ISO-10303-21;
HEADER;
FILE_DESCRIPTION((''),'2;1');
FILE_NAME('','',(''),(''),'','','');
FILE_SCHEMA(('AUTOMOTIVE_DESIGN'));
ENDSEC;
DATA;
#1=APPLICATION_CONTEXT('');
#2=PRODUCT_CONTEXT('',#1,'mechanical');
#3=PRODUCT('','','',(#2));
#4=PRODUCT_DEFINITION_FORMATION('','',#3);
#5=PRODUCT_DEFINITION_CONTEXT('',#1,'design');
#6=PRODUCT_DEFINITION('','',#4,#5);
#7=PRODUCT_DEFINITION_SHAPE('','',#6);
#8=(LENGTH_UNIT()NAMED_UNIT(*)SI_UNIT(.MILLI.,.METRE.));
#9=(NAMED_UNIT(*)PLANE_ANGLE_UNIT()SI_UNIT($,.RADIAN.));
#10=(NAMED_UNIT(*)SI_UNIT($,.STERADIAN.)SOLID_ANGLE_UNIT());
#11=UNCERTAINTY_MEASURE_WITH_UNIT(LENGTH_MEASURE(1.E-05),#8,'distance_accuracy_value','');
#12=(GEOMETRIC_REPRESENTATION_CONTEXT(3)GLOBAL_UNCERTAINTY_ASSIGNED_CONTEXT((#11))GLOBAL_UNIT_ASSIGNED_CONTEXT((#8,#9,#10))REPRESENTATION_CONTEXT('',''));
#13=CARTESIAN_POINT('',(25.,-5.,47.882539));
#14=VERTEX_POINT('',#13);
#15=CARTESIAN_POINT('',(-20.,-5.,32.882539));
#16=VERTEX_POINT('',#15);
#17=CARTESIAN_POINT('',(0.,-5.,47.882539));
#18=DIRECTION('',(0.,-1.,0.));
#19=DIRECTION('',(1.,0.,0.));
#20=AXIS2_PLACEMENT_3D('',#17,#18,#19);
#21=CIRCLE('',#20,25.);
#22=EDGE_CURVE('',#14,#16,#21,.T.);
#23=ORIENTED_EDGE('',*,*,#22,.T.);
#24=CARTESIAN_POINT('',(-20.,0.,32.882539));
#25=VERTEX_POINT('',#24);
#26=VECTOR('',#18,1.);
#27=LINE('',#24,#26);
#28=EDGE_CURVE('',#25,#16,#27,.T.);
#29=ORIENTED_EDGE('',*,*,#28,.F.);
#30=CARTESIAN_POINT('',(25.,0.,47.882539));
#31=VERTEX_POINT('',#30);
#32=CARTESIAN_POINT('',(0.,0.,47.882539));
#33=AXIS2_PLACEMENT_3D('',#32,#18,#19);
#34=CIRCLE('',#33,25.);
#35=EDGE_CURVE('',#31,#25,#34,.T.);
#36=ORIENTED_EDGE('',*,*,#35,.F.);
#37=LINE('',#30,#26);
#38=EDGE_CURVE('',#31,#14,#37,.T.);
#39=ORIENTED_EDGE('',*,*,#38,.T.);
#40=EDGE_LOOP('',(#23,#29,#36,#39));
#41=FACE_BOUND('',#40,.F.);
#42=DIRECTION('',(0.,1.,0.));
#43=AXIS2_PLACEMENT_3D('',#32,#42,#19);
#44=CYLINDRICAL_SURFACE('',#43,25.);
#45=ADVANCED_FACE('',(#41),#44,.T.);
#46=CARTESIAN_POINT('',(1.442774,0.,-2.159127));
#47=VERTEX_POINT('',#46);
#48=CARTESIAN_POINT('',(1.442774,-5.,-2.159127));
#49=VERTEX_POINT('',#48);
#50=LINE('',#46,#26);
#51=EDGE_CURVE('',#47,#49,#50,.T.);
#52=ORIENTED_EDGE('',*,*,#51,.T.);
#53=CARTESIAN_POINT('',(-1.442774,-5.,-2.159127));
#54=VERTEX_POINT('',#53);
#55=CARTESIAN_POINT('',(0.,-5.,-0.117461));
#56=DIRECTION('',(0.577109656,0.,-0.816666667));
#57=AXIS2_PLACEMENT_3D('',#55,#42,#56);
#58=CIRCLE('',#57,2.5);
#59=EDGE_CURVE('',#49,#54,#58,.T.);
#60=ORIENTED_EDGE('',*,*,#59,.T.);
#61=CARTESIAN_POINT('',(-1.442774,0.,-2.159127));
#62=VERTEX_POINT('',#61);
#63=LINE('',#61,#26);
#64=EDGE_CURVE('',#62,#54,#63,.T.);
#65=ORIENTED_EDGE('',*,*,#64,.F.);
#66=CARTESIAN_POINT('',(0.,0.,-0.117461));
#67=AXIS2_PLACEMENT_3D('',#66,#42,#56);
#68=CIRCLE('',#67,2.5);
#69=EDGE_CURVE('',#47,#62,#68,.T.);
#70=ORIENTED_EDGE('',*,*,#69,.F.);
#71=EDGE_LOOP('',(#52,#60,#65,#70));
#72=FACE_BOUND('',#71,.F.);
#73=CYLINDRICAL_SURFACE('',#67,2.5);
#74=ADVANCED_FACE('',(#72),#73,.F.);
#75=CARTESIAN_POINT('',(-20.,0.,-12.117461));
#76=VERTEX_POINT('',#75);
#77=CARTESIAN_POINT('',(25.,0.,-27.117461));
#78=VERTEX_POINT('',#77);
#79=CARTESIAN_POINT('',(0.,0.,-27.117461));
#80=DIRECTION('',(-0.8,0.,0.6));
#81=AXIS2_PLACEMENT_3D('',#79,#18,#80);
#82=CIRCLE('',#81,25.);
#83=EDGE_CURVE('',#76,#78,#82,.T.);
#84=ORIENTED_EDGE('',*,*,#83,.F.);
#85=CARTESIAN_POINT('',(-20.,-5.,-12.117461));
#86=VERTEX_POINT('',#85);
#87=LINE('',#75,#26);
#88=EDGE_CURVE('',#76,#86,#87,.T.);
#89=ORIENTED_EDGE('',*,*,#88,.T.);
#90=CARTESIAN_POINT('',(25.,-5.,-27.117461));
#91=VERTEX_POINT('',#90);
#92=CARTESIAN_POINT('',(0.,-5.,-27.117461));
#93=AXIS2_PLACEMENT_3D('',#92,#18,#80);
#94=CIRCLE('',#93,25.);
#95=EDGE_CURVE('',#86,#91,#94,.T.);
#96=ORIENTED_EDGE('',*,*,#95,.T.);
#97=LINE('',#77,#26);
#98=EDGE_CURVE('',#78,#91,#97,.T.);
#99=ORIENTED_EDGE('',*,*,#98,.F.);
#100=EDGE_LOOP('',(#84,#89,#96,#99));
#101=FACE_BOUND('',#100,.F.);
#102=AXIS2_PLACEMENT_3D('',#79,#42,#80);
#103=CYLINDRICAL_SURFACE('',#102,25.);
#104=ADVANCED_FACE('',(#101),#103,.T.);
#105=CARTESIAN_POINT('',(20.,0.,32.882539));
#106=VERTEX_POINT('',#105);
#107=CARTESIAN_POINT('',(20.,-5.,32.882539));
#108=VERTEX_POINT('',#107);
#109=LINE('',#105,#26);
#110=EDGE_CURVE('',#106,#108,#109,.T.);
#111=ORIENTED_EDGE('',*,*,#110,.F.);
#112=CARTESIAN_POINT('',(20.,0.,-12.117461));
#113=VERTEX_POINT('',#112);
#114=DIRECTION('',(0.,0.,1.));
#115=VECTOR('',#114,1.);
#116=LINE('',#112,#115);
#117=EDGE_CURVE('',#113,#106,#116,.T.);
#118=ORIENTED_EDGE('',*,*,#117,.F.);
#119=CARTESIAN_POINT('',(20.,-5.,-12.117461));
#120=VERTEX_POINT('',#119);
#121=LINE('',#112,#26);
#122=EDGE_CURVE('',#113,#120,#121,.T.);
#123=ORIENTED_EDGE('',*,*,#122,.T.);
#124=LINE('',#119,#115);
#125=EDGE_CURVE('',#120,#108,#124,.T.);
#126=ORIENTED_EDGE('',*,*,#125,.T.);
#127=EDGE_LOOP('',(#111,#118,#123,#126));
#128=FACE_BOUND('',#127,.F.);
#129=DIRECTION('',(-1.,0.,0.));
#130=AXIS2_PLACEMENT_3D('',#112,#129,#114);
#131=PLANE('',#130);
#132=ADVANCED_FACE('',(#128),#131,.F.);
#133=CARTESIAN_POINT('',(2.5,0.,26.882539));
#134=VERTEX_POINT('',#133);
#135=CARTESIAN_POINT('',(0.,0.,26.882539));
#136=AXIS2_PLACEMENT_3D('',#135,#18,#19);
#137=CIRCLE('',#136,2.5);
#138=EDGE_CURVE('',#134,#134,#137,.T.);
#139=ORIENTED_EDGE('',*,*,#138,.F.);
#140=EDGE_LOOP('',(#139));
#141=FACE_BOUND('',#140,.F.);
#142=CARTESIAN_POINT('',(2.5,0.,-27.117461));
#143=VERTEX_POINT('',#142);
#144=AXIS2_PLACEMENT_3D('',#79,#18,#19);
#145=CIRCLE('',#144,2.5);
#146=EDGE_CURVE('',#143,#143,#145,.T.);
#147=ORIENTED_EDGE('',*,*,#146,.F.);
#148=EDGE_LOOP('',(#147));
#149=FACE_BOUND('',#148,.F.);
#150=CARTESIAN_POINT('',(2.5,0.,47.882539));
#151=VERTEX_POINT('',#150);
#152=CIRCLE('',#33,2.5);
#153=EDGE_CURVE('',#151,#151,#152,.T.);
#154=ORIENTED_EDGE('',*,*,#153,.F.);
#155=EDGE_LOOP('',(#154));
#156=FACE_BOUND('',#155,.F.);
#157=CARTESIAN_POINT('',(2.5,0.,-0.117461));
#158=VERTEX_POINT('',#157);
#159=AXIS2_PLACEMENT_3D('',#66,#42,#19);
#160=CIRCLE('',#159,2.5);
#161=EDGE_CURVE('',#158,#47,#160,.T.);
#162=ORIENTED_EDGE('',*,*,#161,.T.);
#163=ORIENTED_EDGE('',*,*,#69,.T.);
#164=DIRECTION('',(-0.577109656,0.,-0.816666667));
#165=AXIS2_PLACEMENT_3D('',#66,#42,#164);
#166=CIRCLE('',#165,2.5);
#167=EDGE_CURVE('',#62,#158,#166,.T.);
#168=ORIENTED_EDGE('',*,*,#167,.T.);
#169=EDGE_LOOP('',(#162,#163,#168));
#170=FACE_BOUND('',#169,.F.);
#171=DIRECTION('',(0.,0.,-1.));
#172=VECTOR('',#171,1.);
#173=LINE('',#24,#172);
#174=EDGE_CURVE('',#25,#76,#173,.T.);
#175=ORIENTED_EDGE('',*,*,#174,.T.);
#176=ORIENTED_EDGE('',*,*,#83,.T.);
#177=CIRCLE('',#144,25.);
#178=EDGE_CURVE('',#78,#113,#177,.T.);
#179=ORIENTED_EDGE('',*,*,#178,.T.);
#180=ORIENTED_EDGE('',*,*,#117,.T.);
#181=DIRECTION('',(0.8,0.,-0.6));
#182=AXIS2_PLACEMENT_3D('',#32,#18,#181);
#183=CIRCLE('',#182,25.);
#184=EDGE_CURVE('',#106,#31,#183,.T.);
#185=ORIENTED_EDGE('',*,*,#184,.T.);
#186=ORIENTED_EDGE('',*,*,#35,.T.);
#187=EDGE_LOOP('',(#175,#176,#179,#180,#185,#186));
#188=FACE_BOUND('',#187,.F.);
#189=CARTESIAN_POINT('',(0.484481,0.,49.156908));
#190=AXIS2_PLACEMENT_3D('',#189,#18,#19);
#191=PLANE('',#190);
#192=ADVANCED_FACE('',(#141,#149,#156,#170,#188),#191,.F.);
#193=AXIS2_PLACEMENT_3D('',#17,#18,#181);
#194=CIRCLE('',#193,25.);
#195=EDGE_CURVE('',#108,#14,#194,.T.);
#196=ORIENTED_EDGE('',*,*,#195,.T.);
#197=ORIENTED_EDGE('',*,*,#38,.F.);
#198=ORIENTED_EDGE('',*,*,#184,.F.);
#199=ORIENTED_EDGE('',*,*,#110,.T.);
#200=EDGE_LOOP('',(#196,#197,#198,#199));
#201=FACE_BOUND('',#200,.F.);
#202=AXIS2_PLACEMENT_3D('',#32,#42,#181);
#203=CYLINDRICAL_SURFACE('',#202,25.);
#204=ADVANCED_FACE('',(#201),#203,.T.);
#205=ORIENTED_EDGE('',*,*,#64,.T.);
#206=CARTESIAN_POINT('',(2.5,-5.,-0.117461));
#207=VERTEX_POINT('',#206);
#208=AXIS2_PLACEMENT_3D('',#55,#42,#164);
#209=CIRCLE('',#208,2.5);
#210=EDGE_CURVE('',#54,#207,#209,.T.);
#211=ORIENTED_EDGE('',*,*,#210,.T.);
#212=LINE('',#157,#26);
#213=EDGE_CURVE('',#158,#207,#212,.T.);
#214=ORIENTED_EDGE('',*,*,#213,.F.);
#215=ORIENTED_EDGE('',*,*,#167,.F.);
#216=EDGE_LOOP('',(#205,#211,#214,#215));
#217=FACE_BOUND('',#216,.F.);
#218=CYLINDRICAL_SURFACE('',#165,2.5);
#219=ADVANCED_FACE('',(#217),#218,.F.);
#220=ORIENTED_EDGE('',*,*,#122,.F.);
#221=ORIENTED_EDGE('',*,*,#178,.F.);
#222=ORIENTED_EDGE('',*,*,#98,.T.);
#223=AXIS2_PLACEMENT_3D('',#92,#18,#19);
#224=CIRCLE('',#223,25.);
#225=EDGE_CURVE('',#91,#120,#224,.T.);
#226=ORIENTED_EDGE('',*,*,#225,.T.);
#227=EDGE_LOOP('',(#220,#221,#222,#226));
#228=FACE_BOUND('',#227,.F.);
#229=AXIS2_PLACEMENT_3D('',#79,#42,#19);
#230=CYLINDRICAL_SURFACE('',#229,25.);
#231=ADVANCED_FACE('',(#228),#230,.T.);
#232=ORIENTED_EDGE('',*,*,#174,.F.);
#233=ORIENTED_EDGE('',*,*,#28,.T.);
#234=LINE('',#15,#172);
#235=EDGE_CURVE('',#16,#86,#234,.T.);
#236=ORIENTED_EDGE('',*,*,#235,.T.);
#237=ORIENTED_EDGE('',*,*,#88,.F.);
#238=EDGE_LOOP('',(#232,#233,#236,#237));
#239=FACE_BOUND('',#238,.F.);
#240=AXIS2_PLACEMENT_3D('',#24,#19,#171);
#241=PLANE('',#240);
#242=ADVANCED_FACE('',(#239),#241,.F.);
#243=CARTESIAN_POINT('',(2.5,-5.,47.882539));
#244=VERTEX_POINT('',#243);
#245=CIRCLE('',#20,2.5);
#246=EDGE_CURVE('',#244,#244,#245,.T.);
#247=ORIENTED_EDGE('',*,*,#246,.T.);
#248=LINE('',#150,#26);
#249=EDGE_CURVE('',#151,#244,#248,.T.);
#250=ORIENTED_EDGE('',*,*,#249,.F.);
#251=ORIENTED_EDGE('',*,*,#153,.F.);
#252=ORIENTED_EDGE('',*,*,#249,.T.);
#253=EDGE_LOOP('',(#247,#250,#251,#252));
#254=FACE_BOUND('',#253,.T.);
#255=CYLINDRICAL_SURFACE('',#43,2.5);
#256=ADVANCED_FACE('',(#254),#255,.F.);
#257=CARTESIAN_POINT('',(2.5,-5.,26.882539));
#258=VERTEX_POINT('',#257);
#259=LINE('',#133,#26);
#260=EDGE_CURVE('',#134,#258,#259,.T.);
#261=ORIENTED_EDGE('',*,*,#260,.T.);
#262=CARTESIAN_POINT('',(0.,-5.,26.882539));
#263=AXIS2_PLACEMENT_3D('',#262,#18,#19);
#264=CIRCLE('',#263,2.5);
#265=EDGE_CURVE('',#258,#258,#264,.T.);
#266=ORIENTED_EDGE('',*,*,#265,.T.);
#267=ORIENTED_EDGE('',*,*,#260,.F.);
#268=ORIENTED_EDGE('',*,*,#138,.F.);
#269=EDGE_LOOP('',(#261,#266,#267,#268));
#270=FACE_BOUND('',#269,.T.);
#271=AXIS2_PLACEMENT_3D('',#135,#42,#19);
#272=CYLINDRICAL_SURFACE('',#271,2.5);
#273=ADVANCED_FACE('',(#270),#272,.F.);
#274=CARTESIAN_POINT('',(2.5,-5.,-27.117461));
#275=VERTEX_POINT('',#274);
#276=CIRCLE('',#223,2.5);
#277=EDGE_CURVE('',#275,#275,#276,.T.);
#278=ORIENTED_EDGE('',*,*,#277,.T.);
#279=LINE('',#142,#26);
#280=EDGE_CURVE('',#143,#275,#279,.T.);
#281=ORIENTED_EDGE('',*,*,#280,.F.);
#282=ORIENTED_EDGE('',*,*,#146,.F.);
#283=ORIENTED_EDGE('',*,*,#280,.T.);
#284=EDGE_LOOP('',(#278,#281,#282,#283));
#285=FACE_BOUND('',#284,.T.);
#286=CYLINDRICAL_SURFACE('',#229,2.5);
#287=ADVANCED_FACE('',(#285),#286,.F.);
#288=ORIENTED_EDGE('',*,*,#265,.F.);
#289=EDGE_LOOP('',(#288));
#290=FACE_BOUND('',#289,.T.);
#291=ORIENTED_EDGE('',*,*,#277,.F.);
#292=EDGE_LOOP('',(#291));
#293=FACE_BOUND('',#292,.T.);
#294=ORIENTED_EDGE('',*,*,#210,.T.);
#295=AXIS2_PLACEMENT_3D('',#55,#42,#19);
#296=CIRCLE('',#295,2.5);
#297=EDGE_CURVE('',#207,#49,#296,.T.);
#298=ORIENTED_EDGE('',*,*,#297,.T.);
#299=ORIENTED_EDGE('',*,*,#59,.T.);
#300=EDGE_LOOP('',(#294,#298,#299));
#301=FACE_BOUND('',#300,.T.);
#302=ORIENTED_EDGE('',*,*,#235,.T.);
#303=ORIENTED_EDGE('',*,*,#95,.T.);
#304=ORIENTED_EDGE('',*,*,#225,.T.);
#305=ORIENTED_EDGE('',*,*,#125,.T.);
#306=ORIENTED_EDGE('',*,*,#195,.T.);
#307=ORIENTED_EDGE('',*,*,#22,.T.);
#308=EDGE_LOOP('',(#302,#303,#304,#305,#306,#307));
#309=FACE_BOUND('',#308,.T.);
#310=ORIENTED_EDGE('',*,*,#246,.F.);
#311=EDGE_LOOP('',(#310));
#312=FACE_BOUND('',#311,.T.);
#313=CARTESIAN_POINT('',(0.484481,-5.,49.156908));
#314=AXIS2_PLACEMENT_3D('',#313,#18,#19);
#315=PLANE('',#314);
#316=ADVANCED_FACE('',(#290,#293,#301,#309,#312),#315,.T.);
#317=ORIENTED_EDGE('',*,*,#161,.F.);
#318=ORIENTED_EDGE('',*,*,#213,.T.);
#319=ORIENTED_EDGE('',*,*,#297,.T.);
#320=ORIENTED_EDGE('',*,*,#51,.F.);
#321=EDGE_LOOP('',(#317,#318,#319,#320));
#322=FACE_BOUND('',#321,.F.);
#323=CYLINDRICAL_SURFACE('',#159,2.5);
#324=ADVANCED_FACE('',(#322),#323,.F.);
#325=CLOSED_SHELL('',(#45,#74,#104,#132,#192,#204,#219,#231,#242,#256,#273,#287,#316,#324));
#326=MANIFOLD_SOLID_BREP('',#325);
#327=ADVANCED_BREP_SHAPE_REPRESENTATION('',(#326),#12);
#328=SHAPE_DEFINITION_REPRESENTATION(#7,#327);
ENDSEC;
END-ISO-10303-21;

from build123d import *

# Parameters (mm, degrees)
F0_R     = 2.5
F1_DEPTH = 5


with BuildPart() as f1:
    # F0 (on Front) → F1 (new body)
    with BuildSketch(Plane.XZ):
        with BuildLine():
            ThreePointArc((20, 32.8825393335), (23.7170824513, 39.9768451831), (25, 47.8825393335))
            ThreePointArc((25, 47.8825393335), (-7.9056941504, 71.5996217848), (-20, 32.8825393335))
            Line((-20, 32.8825393335), (20, 32.8825393335))
        make_face()
        with Locations((0, 47.8825393335)):
            Circle(F0_R, mode=Mode.SUBTRACT)
        with BuildLine():
            Line((20, 32.8825393335), (-20, 32.8825393335))
            ThreePointArc((-20, 32.8825393335), (0, 22.8825393335), (20, 32.8825393335))
        make_face()
        with Locations((0, 26.8825393335)):
            Circle(F0_R, mode=Mode.SUBTRACT)
        with BuildLine():
            ThreePointArc((20, 32.8825393335), (0, 22.8825393335), (-20, 32.8825393335))
            Line((-20, 32.8825393335), (-20, -12.1174606665))
            ThreePointArc((-20, -12.1174606665), (-11.821177666, -5.0888483954), (-1.4427741411, -2.1591273332))
            ThreePointArc((-1.4427741411, -2.1591273332), (-1.1495791942, 2.1025545759), (2.5, -0.1174606665))
            ThreePointArc((2.5, -0.1174606665), (2.2200152424, -1.2670398606), (1.4427741411, -2.1591273332))
            ThreePointArc((1.4427741411, -2.1591273332), (11.821177666, -5.0888483954), (20, -12.1174606665))
            Line((20, -12.1174606665), (20, 32.8825393335))
        make_face()
        with BuildLine():
            Line((20, -12.1174606665), (-20, -12.1174606665))
            ThreePointArc((-20, -12.1174606665), (-7.9056941504, -50.8345431177), (25, -27.1174606665))
            ThreePointArc((25, -27.1174606665), (23.7170824513, -19.2117665161), (20, -12.1174606665))
        make_face()
        with Locations((0, -27.1174606665)):
            Circle(F0_R, mode=Mode.SUBTRACT)
        with BuildLine():
            ThreePointArc((-1.4427741411, -2.1591273332), (-11.821177666, -5.0888483954), (-20, -12.1174606665))
            Line((-20, -12.1174606665), (20, -12.1174606665))
            ThreePointArc((20, -12.1174606665), (11.821177666, -5.0888483954), (1.4427741411, -2.1591273332))
            ThreePointArc((1.4427741411, -2.1591273332), (0, -2.6174606665), (-1.4427741411, -2.1591273332))
        make_face()
    extrude(amount=F1_DEPTH)


solid = f1.part
